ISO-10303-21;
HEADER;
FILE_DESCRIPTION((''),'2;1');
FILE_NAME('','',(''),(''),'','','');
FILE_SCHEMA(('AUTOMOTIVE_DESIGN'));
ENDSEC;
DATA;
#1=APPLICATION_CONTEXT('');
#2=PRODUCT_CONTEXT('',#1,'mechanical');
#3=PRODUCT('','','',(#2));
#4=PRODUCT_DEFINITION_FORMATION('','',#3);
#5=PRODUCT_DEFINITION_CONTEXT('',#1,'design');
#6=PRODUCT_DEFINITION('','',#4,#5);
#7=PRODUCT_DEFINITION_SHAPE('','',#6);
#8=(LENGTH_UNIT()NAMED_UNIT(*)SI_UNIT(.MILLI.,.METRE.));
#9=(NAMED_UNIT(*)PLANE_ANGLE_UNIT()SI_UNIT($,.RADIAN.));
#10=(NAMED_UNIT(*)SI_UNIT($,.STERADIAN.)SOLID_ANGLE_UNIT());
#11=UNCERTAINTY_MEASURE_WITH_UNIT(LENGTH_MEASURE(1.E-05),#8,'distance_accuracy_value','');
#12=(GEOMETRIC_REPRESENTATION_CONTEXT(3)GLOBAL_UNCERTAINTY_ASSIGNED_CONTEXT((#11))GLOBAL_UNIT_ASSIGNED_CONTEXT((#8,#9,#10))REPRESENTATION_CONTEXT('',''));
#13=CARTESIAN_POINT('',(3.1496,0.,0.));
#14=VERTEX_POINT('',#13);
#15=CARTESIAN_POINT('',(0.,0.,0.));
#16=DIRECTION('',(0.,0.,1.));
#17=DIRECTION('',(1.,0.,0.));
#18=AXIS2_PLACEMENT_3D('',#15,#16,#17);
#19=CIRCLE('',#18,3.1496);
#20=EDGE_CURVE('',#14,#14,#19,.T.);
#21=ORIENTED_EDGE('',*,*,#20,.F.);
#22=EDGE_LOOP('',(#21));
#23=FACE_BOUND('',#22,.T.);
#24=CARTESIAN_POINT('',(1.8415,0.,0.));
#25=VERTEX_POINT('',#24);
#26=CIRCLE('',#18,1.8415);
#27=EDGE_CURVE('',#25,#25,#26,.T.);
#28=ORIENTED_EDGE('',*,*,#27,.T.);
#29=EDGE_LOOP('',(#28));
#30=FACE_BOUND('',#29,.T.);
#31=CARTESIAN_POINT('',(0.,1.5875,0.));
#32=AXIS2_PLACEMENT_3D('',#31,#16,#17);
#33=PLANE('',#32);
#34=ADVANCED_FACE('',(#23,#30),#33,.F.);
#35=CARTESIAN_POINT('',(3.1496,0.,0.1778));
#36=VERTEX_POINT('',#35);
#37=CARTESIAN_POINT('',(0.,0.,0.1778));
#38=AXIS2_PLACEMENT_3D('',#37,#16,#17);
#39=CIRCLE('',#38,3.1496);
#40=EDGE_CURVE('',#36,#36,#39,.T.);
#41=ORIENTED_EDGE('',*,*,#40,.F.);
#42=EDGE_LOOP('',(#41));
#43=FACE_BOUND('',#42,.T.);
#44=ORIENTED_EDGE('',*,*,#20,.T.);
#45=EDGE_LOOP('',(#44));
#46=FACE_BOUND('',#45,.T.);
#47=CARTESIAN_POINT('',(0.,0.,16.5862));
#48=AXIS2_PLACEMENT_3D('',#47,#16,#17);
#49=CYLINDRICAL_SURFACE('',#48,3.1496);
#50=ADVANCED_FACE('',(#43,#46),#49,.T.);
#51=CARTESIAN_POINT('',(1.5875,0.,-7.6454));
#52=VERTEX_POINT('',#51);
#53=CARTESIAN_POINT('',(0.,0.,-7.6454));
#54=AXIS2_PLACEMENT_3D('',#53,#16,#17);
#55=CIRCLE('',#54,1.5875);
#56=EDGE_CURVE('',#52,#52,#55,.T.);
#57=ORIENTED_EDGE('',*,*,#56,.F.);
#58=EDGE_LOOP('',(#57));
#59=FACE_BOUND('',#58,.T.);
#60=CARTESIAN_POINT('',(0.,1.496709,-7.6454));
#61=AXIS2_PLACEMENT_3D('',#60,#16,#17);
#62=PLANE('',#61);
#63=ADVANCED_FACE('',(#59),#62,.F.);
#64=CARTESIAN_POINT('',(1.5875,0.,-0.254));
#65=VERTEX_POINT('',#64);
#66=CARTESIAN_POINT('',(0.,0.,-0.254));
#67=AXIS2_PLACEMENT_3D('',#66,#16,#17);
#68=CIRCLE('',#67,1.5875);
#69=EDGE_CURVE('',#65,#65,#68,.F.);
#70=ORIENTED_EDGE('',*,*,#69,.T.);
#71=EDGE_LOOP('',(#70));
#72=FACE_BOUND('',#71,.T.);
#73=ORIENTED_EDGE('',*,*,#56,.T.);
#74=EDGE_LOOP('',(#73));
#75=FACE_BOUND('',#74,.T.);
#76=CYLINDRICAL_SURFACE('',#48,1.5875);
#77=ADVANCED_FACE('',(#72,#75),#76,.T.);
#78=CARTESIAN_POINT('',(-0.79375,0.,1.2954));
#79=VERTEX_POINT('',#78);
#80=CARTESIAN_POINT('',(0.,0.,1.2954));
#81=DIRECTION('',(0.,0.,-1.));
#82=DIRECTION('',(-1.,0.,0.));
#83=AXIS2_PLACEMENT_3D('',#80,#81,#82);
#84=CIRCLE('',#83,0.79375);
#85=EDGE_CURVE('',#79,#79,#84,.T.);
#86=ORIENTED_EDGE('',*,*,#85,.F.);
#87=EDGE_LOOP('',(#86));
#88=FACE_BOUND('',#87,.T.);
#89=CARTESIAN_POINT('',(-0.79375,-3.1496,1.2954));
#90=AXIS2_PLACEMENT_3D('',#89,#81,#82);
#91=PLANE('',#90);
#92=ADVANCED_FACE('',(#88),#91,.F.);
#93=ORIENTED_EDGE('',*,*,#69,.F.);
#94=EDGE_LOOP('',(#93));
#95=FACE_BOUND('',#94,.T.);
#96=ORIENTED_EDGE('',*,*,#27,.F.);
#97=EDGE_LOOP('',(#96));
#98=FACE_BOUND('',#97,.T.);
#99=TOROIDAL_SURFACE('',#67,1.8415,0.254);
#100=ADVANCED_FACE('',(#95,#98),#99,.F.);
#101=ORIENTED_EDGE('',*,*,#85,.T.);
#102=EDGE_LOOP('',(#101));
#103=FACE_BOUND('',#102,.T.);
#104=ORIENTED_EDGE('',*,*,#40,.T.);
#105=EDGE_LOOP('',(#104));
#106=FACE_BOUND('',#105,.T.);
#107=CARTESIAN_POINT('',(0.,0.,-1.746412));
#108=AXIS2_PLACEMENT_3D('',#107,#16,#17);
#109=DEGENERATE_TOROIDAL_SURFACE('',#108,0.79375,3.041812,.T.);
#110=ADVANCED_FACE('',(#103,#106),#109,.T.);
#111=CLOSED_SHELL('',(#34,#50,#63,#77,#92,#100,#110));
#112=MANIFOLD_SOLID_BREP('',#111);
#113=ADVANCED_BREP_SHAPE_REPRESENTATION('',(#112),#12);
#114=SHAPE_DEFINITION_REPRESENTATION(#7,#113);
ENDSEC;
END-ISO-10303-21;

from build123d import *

# Parameters (mm, degrees)
CUT_EXTRUDE1_DEPTH      = 4.1496001
CUT_EXTRUDE1_DEPTH_BACK = 4.1496001
CUT_EXTRUDE2_DEPTH      = 4.1496001
CUT_EXTRUDE2_DEPTH_BACK = 4.1496001
FILLET2_R               = 0.254
SKETCH7_W               = 1.840958013
SKETCH7_H               = 16.135739168
CUT_EXTRUDE3_DEPTH      = 4.1496001
CUT_EXTRUDE3_DEPTH_BACK = 4.1496001


with BuildPart() as part:
    # Sketch2 → Revolve1 (revolve)
    with BuildSketch(Plane(origin=(0, 0, 0), x_dir=(0, 0, -1), z_dir=(1, 0, 0))):
        with BuildLine():
            Line((-16.5862, 0), (-16.5862, 0.79375))
            Line((-16.5862, 0.79375), (-1.2954, 0.79375))
            ThreePointArc((-1.2954, 0.79375), (-1.001833933, 2.097500262), (-0.1778, 3.1496))
            Line((-0.1778, 3.1496), (0, 3.1496))
            Line((0, 3.1496), (0, 1.5875))
            Line((0, 1.5875), (7.6454, 1.5875))
            Line((7.6454, 1.5875), (7.6454, 1.496709354))
            Line((7.6454, 1.496709354), (7.6454, 0))
            Line((7.6454, 0), (-16.5862, 0))
        make_face()
    revolve(axis=Axis((0, 0, 16.5862), (0, 0, -1)))

    # Sketch3 → Cut-Extrude1 (cut, two sides)
    with BuildSketch(Plane(origin=(0, 0, 0), x_dir=(1, 0, 0), z_dir=(0, 1, 0))) as cut_extrude1_sk:
        Polygon((0, -16.5862), (0.99695, -15.286949465), (0.99695, -17.0942), (-0.99695, -17.0942), (-0.99695, -15.286949465), align=None)
    extrude(amount=CUT_EXTRUDE1_DEPTH, mode=Mode.SUBTRACT)
    extrude(cut_extrude1_sk.sketch, amount=-CUT_EXTRUDE1_DEPTH_BACK, mode=Mode.SUBTRACT)

    # Sketch5 → Cut-Extrude2 (cut, two sides)
    with BuildSketch(Plane(origin=(0, 0, 0), x_dir=(0, 0, -1), z_dir=(1, 0, 0))) as cut_extrude2_sk:
        Polygon((-16.5862, 0), (-15.55176486, 1.11125), (-16.9037, 1.11125), (-16.9037, -1.11125), (-15.55176486, -1.11125), align=None)
    extrude(amount=CUT_EXTRUDE2_DEPTH, mode=Mode.SUBTRACT)
    extrude(cut_extrude2_sk.sketch, amount=-CUT_EXTRUDE2_DEPTH_BACK, mode=Mode.SUBTRACT)

    # Fillet2
    fillet2_edges = [part.edges().sort_by_distance(p)[0] for p in [
        (0, -1.5875, 0),
    ]]
    fillet(fillet2_edges, radius=FILLET2_R)

    # Sketch7 → Cut-Extrude3 (cut, two sides)
    with BuildSketch(Plane(origin=(0, 0, 0), x_dir=(1, 0, 0), z_dir=(0, 1, 0))) as cut_extrude3_sk:
        with Locations((0.126729007, -9.363269584)):
            Rectangle(SKETCH7_W, SKETCH7_H)
    extrude(amount=CUT_EXTRUDE3_DEPTH, mode=Mode.SUBTRACT)
    extrude(cut_extrude3_sk.sketch, amount=-CUT_EXTRUDE3_DEPTH_BACK, mode=Mode.SUBTRACT)


solid = part.part
